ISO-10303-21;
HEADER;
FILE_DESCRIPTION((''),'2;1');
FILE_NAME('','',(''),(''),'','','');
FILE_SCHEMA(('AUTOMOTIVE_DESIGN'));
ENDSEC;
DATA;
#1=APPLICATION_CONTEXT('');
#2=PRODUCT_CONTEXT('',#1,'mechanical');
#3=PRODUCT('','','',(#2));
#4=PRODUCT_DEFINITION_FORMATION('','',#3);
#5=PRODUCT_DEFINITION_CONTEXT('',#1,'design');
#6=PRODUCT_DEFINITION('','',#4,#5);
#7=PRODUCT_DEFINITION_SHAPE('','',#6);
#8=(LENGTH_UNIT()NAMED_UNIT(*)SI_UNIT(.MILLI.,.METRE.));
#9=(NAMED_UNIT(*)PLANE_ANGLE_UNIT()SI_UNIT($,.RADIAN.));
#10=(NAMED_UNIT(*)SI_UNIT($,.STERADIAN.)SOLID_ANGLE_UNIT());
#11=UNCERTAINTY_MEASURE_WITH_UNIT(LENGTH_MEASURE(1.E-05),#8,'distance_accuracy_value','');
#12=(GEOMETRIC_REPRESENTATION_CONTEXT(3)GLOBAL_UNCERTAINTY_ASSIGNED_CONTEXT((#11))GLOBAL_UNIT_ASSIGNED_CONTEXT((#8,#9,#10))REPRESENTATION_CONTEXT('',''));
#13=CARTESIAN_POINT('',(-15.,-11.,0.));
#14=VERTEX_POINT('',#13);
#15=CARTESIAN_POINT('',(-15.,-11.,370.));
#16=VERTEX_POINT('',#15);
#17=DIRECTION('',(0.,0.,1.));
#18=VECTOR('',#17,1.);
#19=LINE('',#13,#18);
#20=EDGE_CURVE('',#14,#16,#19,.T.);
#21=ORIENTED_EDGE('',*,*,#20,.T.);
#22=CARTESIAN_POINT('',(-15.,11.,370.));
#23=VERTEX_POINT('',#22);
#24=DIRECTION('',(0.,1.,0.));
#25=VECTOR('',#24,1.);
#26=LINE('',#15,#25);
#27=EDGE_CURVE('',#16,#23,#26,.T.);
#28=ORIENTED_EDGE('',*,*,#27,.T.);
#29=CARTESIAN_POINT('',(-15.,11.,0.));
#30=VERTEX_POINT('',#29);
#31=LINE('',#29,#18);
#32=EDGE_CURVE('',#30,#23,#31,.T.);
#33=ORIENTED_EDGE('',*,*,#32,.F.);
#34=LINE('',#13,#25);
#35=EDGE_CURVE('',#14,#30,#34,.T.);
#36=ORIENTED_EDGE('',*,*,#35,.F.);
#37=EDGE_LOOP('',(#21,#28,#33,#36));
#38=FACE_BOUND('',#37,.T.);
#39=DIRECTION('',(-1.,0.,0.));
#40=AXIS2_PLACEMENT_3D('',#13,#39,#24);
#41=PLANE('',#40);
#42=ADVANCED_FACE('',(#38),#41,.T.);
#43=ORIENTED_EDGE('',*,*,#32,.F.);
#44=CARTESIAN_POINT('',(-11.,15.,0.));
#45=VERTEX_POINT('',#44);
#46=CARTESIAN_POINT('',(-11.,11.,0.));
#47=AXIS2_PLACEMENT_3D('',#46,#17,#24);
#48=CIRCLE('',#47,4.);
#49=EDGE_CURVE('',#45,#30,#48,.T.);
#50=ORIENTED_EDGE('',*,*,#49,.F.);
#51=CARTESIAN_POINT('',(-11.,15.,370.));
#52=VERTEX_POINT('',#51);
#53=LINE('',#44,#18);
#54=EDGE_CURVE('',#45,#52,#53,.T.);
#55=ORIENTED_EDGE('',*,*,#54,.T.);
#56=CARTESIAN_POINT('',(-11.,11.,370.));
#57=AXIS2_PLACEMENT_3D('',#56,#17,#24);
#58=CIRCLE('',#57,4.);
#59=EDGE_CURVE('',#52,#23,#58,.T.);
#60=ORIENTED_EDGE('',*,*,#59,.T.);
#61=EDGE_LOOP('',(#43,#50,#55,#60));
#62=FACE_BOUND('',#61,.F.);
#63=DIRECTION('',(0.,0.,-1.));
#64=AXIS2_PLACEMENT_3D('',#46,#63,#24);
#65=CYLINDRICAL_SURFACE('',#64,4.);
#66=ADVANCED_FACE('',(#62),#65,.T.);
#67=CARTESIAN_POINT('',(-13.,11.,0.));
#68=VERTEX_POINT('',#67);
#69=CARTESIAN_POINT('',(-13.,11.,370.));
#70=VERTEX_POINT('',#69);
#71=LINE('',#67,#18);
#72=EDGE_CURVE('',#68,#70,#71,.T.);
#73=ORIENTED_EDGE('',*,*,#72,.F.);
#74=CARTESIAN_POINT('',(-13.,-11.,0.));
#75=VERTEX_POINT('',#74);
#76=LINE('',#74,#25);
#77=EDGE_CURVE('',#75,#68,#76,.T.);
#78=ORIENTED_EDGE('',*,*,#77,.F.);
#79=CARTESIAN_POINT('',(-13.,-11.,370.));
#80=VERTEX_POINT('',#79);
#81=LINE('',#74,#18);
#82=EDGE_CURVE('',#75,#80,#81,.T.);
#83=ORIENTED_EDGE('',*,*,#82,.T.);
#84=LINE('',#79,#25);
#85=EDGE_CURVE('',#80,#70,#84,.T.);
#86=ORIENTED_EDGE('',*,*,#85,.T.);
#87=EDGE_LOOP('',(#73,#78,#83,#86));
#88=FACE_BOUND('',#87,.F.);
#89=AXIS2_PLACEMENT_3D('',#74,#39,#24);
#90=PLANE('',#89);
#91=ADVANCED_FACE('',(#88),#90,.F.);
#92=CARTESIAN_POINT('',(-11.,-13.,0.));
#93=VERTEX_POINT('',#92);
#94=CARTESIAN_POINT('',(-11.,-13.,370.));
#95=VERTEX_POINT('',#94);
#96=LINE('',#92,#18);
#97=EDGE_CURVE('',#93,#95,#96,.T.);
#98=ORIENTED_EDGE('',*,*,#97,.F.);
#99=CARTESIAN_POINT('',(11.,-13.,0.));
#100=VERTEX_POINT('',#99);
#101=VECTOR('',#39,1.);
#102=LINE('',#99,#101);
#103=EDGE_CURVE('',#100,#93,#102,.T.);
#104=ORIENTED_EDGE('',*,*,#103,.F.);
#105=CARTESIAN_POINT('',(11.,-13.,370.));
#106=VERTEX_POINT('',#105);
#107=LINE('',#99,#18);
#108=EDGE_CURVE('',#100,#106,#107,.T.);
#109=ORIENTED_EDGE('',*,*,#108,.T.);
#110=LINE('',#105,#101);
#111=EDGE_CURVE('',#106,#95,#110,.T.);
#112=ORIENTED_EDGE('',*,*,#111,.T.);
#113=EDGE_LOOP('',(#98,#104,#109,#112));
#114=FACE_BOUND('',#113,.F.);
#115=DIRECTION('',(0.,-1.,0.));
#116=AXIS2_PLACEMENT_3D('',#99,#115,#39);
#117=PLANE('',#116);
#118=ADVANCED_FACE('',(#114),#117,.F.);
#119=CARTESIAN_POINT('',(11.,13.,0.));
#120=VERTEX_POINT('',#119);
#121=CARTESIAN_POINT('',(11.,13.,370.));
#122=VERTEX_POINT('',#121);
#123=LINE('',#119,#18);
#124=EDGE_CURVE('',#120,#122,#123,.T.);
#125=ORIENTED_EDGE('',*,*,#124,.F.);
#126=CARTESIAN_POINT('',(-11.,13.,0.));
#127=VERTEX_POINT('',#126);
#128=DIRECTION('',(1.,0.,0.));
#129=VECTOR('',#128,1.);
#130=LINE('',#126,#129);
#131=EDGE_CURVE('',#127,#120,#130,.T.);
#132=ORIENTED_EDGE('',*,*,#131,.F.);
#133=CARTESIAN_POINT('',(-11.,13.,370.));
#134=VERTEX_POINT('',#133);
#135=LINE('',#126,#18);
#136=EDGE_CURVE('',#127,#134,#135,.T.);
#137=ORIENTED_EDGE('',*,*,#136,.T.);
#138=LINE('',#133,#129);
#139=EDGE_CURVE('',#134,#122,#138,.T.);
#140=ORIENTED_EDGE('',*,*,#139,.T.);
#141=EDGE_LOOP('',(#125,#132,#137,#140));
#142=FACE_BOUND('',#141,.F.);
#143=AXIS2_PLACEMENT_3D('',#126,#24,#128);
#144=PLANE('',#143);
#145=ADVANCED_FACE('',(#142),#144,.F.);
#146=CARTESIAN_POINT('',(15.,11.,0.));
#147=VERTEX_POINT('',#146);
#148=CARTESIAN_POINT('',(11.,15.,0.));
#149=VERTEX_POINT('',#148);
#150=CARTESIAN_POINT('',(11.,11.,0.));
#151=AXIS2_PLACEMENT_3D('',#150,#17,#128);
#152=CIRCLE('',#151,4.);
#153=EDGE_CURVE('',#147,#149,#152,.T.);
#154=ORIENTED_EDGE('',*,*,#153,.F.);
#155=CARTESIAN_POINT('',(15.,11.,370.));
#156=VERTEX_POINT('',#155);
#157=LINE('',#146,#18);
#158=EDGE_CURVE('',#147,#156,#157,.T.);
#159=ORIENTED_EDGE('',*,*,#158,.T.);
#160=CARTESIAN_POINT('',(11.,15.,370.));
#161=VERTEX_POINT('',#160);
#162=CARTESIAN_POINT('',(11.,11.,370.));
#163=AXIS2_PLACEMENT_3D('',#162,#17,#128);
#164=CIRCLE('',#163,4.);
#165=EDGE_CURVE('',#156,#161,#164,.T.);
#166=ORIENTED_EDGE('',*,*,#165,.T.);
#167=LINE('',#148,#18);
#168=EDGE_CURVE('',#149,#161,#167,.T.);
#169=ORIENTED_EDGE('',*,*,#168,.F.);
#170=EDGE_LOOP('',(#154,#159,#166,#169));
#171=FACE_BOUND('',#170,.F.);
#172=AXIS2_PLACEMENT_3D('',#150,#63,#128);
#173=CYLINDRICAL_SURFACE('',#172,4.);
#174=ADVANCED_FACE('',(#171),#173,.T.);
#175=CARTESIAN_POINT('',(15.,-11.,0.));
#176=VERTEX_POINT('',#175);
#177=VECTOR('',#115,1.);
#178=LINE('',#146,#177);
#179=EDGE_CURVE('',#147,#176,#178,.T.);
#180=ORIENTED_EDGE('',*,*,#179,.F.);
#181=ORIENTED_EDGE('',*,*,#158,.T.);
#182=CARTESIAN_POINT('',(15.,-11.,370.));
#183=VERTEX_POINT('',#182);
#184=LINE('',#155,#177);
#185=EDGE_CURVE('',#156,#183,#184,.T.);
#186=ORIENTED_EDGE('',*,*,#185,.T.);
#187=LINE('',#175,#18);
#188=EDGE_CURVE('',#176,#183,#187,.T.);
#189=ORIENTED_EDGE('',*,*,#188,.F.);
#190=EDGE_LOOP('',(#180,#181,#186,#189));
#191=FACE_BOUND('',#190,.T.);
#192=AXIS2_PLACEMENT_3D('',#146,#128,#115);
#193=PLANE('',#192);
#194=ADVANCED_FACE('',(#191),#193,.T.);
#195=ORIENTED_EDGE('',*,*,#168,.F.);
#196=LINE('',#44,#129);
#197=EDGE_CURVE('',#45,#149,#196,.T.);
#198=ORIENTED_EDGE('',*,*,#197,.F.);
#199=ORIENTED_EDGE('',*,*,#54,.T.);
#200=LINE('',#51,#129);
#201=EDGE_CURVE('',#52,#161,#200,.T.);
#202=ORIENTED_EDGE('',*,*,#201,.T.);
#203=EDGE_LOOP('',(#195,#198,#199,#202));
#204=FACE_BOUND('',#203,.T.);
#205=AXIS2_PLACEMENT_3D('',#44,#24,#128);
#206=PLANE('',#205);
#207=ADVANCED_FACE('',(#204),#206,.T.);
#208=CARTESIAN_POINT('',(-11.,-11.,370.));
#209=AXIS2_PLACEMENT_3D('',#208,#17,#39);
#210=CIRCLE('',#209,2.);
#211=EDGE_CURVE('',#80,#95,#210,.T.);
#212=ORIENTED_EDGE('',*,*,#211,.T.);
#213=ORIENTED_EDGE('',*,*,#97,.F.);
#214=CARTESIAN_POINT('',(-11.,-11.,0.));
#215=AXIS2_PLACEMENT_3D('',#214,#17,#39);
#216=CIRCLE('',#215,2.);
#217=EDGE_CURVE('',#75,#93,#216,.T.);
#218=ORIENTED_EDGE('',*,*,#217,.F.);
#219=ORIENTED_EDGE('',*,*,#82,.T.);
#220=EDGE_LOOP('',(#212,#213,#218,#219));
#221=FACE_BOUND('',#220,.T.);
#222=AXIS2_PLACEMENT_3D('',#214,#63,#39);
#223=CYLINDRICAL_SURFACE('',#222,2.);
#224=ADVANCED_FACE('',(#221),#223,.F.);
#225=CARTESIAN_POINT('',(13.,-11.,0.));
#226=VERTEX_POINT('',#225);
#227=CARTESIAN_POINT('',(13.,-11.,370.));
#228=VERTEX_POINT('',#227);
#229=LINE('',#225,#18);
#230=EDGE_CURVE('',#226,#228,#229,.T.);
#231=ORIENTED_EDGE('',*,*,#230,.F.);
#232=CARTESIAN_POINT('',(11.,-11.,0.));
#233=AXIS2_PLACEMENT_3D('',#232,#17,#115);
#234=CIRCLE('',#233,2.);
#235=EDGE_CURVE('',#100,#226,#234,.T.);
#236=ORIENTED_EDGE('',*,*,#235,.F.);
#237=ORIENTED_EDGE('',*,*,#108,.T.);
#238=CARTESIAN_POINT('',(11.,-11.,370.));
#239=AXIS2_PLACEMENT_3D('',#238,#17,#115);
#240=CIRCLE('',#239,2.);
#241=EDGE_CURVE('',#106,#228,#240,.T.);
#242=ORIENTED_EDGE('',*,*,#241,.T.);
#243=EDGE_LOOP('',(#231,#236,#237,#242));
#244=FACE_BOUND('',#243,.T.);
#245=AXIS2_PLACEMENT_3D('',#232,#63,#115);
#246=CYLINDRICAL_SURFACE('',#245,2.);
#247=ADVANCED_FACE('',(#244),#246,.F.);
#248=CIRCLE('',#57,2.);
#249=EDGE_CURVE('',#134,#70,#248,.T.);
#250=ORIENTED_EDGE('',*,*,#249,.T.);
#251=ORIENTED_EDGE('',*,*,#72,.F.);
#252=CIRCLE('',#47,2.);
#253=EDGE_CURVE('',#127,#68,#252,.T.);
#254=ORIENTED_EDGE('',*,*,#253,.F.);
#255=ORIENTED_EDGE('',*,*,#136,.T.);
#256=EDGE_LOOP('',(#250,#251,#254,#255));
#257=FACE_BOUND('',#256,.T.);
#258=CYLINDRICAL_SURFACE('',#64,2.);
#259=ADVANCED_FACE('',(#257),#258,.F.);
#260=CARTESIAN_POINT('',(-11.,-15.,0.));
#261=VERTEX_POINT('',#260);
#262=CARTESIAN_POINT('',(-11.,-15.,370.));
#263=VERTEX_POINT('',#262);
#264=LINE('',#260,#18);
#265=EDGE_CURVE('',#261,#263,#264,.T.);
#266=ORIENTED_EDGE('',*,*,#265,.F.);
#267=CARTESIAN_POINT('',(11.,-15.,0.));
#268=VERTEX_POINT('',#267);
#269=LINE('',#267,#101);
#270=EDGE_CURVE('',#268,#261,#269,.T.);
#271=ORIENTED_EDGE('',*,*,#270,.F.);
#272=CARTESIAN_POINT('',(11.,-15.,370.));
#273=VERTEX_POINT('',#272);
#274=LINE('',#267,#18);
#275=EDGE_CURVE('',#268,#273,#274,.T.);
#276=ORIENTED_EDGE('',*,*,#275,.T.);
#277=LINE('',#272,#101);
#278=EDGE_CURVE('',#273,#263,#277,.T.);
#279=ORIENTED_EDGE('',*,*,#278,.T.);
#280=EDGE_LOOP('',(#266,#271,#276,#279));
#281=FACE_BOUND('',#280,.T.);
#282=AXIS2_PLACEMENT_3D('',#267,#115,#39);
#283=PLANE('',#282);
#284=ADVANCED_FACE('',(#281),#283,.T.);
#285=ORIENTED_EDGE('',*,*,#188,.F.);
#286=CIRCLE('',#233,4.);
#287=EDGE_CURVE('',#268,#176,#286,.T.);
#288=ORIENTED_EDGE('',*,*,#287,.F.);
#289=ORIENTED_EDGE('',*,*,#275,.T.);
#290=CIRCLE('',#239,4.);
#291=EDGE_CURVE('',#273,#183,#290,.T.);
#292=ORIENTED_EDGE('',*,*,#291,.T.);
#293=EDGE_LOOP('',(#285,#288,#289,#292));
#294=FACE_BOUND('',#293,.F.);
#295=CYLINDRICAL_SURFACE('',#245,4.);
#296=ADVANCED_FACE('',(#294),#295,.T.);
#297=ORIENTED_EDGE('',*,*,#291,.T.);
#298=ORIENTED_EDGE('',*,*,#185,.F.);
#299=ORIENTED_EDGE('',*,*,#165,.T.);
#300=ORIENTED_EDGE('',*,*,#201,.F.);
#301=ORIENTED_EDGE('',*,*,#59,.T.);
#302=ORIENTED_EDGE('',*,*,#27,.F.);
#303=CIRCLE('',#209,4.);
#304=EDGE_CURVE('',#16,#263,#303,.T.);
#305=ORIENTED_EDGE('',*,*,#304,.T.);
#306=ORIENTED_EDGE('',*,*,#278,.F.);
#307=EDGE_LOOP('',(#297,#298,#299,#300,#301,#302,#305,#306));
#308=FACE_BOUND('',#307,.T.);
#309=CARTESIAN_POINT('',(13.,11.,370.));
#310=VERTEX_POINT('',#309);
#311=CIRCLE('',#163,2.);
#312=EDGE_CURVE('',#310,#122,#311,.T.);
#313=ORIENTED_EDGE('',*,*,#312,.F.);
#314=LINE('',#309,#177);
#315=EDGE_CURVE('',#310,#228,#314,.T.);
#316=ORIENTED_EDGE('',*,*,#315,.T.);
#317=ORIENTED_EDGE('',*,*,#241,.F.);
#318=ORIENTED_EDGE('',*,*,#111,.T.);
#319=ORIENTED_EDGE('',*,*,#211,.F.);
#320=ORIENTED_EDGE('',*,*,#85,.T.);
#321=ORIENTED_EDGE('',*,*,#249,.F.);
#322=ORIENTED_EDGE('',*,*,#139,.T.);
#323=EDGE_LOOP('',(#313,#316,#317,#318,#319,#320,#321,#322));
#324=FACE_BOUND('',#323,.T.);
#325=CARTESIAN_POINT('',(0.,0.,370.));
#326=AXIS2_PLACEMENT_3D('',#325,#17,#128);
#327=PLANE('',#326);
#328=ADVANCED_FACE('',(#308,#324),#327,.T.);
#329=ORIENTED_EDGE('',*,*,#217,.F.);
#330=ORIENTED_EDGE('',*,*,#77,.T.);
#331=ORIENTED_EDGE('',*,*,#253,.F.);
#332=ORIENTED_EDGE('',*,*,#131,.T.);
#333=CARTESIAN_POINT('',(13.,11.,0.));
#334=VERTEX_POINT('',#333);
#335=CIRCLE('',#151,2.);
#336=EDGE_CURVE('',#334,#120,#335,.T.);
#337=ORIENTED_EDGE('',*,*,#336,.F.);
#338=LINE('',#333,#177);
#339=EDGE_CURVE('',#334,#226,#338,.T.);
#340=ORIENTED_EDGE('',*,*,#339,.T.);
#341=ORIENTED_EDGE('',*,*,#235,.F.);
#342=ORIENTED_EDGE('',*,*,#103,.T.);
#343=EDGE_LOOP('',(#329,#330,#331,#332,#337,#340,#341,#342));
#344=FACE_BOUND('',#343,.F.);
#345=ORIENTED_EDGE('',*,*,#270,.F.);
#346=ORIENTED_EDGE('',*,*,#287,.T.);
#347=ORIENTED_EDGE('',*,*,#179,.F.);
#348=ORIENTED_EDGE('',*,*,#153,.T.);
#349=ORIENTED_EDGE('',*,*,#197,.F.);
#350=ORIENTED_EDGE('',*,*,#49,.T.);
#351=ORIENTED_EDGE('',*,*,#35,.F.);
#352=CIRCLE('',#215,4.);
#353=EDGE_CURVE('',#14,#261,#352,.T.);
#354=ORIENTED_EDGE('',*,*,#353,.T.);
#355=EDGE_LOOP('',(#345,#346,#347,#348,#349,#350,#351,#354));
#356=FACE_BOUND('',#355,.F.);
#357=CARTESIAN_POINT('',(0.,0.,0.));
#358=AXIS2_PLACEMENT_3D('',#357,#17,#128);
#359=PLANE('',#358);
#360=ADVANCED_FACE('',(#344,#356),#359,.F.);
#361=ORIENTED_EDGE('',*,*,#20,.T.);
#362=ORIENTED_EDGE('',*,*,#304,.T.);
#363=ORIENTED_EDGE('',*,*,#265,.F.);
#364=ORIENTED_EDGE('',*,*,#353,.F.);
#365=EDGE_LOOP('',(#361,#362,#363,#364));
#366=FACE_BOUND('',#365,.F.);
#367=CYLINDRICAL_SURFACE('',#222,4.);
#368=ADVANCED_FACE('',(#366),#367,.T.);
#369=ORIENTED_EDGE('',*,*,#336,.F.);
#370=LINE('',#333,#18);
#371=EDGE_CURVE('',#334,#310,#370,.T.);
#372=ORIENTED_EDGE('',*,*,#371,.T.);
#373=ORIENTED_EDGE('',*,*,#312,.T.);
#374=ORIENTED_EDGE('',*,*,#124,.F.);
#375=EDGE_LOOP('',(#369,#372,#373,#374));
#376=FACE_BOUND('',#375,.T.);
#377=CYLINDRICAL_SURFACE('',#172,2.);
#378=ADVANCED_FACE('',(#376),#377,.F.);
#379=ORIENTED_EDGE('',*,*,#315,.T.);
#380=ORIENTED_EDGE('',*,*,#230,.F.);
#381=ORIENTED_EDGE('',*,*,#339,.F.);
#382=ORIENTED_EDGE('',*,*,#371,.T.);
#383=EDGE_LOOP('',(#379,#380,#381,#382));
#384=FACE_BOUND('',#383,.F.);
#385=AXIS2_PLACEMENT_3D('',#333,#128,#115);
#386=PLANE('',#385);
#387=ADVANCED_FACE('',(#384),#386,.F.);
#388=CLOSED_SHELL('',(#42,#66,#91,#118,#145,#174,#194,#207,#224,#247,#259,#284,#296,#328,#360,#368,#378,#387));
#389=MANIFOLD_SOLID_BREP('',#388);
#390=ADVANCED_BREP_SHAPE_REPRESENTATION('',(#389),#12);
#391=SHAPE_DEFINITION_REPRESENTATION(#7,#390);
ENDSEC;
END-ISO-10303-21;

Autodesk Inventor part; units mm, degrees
ref_plane "YZ Plane" through (0, 0, 0) normal (1, 0, 0) x (0, 1, 0)
ref_plane "Plan de départ" through (0, 0, 0) normal (0, 0, 1) x (1, 0, 0)
ref_plane "Plan de fin" through (0, 0, 370) normal (0, 0, 1) x (1, 0, 0)
sketch "Esquisse" plane through (0, 0, 0) normal (0, 0, 1) x (1, 0, 0)
  line L0 (-15, -11) -> (-15, 11)
  line L1 (-11, 15) -> (11, 15)
  line L2 (15, 11) -> (15, -11)
  line L3 (11, -15) -> (-11, -15)
  arc A0 (-15, -11) -> (-11, -15) centre (-11, -11) ccw
  arc A1 (15, 11) -> (11, 15) centre (11, 11) ccw
  arc A2 (-11, 15) -> (-15, 11) centre (-11, 11) ccw
  arc A3 (11, -15) -> (15, -11) centre (11, -11) ccw
  arc A4 (-11, 13) -> (-13, 11) centre (-11, 11) ccw
  line L4 (-11, 13) -> (11, 13)
  arc A5 (13, 11) -> (11, 13) centre (11, 11) ccw
  line L5 (13, 11) -> (13, -11)
  arc A6 (11, -13) -> (13, -11) centre (11, -11) ccw
  line L6 (11, -13) -> (-11, -13)
  arc A7 (-13, -11) -> (-11, -13) centre (-11, -11) ccw
  line L7 (-13, -11) -> (-13, 11)
  line L8 (0, 22.1598) -> (0, -22.1598) construction
  line L9 (-22.1598, 0) -> (22.1598, 0) construction
  dimension "d7" = 4
  dimension "d9" = 30
  dimension "d11" = 30
  dimension "d12" = 2
  dimension "d15" = 15
  dimension "d16" = 15
extrude "Corps" add sketch "Esquisse" along normal up to surface (370 mm away) from surface at 0
sketch "Sketch3" plane through (0, 0, 0) normal (0, 0, 1) x (1, 0, 0)
  line L0 (0, 0) -> (10, 0)
ref_plane "Work Plane3" through (0, 0, 0) normal (0, -1, 0) x (1, 0, 0)
sketch "Sketch4" plane through (0, 0, 0) normal (0, -1, 0) x (1, 0, 0)
  line L0 (-2, 0) -> (12, 0) projected
  line L1 (-2, 370) -> (12, 370) projected
  dimension "d18" = 370
equation "\"d7\" = G_IR"
equation "\"d9\" = G_W"
equation "\"d11\" = G_H"
equation "\"d12\" = G_T"
equation "\"d15\" = 0.5 * d9"
equation "\"d16\" = 0.5 * d11"
equation "\"d3\" = G_L"
equation "\"G_W\" = 30"
equation "\"G_H\" = 30"
equation "\"G_T\" = 2"
equation "\"G_IR\" = 4"
equation "\"G_L\" = d18"
equation "\"G_OFFSET_START\" = 0"
equation "\"G_OFFSET_END\" = 0"
properties part number "ISO 10799-2 - 30x30x2 - 370" material "Acier, doux"
